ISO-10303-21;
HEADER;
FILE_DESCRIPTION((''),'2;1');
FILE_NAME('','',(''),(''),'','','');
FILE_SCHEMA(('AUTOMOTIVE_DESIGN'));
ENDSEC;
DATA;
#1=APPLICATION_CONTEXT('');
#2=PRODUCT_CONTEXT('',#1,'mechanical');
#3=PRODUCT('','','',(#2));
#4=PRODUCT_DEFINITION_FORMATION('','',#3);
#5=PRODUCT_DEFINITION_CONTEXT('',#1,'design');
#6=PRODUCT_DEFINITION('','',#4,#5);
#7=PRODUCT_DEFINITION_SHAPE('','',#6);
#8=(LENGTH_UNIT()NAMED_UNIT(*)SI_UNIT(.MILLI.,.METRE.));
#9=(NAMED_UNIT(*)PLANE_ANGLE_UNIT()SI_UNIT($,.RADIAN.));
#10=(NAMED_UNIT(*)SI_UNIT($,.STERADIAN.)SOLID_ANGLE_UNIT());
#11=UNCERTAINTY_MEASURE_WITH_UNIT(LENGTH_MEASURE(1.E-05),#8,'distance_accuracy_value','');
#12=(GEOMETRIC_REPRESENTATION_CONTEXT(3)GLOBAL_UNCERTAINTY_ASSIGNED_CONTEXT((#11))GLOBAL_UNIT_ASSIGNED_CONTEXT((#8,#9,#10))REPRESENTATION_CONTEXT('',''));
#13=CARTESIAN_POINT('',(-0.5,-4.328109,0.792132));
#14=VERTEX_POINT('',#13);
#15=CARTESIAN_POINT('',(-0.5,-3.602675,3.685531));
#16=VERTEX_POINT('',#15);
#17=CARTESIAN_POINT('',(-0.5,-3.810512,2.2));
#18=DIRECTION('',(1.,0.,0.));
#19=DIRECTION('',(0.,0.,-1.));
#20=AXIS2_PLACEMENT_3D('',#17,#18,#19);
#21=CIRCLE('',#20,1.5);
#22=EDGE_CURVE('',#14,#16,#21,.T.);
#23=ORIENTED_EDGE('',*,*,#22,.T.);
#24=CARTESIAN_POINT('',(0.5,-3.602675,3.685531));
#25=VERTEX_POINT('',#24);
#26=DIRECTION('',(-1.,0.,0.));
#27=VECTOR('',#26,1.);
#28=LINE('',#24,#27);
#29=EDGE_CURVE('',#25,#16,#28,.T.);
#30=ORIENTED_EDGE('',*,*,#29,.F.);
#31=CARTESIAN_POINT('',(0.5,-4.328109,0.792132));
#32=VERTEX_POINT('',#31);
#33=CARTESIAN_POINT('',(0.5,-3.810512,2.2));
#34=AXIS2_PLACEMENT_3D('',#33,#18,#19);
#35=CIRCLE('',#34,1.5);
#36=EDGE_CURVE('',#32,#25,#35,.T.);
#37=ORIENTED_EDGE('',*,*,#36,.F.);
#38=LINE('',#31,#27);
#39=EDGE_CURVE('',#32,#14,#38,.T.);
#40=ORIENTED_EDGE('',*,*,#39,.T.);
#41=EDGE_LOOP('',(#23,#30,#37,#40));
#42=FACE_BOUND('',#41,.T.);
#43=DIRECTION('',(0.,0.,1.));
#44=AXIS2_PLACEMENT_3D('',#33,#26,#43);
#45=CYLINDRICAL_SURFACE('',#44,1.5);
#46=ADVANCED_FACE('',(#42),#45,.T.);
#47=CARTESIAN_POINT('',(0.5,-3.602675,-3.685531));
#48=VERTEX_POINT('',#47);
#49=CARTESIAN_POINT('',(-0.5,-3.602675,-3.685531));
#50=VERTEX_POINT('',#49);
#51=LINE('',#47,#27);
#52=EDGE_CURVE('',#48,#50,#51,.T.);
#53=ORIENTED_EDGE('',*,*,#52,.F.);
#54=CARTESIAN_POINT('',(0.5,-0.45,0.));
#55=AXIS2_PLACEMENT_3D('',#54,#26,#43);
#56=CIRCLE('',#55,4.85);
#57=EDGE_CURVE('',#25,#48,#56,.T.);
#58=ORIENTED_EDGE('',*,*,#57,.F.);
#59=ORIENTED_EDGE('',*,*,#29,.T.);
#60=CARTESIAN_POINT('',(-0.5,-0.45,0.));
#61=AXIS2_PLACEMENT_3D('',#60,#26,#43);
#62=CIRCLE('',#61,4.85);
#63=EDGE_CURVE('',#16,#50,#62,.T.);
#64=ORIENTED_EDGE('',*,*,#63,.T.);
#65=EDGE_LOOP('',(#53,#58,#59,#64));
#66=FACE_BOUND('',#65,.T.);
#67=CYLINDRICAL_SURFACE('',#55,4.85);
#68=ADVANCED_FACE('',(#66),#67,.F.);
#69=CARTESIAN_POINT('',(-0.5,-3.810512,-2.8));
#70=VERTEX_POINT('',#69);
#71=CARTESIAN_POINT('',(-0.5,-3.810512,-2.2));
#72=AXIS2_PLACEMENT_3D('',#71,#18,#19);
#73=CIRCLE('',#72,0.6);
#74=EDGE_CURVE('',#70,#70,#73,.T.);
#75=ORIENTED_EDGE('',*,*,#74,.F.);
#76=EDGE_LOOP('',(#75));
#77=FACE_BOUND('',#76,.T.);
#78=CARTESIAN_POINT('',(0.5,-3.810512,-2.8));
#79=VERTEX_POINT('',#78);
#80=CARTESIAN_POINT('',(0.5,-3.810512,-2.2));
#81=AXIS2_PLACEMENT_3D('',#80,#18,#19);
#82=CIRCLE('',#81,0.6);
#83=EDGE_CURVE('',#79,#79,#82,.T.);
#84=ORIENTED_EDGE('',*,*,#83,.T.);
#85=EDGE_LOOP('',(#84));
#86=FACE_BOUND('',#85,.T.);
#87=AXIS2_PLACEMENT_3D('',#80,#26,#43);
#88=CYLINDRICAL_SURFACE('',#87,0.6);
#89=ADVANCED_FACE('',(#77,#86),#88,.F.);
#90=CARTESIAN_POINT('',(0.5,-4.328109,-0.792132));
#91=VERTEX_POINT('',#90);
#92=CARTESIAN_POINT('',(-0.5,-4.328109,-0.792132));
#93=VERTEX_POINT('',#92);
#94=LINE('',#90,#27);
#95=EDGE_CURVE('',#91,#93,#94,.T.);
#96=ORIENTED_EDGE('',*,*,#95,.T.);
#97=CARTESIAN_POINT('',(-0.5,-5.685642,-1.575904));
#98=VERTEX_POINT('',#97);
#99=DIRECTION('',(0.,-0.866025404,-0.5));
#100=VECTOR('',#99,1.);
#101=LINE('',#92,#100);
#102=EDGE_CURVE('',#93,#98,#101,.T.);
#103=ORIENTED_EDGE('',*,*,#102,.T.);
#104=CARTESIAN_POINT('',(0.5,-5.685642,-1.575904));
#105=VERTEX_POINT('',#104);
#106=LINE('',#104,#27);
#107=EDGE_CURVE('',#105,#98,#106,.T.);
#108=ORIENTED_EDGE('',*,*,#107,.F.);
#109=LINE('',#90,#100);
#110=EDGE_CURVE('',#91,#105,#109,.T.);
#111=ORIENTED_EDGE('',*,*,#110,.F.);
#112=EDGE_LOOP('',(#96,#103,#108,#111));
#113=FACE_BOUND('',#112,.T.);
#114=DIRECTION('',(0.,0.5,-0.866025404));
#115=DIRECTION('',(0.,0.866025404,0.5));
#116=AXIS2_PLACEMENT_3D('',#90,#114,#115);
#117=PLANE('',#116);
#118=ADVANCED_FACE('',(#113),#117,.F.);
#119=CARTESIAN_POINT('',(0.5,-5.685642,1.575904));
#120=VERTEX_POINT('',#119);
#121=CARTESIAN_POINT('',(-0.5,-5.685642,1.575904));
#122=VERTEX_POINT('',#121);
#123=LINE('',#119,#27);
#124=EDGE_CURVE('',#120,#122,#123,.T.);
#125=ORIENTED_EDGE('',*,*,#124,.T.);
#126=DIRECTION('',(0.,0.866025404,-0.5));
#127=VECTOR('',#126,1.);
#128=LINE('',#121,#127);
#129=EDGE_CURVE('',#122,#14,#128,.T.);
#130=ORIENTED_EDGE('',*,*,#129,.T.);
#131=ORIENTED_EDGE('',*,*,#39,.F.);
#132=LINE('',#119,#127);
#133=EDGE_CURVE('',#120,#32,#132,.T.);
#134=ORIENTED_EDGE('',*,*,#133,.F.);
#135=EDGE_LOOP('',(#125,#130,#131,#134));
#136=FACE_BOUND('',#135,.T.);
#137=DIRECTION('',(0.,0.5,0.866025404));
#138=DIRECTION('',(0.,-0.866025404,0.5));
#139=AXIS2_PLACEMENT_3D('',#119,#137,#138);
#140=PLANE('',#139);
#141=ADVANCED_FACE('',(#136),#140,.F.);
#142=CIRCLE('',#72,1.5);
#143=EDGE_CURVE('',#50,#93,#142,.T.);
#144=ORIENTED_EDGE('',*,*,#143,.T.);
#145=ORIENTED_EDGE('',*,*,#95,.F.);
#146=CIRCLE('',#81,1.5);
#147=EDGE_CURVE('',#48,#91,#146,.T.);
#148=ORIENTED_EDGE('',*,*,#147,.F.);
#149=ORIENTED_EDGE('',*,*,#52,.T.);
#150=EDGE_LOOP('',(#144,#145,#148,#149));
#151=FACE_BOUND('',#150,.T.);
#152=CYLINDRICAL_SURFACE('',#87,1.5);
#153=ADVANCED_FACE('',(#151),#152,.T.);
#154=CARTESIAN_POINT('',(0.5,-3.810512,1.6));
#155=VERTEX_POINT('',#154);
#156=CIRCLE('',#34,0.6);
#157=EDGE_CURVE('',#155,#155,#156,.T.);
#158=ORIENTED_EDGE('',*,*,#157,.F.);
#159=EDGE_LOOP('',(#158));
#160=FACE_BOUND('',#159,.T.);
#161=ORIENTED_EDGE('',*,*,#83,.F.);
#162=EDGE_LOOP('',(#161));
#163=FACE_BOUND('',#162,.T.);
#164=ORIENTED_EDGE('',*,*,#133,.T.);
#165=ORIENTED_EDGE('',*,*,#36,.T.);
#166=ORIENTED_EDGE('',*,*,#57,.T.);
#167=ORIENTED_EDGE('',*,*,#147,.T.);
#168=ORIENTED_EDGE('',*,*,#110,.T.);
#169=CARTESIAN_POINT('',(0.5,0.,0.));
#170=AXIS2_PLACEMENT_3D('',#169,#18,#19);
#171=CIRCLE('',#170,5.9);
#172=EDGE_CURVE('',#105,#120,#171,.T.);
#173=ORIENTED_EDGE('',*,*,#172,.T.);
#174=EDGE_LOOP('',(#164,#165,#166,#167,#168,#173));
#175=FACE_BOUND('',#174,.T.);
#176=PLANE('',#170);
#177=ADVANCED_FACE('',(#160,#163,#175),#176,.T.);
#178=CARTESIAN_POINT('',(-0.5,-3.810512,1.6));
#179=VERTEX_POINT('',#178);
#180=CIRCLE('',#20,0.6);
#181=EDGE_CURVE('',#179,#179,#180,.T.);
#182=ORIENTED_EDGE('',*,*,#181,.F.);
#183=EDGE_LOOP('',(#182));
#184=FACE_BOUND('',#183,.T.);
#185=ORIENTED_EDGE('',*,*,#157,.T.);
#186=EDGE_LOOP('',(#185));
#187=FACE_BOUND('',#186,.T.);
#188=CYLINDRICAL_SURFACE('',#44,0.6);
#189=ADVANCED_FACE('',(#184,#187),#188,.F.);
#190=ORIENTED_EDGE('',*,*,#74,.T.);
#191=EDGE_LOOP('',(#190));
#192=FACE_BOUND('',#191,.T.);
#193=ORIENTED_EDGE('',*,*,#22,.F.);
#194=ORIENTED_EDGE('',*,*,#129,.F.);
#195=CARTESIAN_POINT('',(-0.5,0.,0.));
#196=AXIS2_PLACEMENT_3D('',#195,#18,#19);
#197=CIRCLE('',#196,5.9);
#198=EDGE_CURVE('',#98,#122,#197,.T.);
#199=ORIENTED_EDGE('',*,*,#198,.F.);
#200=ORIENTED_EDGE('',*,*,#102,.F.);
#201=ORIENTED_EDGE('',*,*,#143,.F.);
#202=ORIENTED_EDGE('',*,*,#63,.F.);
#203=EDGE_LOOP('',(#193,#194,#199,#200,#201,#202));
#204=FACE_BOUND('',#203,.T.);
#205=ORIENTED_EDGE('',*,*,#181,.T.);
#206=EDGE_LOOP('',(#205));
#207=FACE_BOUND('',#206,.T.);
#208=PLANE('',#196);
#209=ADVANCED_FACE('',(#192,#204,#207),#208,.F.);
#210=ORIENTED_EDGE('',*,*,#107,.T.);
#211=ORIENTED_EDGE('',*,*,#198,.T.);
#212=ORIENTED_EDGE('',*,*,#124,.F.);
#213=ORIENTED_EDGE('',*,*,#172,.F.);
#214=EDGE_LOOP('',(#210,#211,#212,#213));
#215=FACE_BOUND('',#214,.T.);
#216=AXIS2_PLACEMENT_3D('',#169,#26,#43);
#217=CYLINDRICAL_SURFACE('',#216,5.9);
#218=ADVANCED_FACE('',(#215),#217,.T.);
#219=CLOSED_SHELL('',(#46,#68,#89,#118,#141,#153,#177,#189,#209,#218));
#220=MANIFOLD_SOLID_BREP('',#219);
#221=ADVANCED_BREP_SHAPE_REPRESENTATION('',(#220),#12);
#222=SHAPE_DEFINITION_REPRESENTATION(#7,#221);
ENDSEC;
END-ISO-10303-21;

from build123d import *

# Parameters (mm, degrees)
BOSS_EXTRUDE1_DEPTH      = 0.5
BOSS_EXTRUDE1_DEPTH_BACK = 0.5
SKETCH1_R                = 0.6


with BuildPart() as part:
    # Sketch1 → Boss-Extrude1 (new, two sides: drawn at the far end of the back side and taken through both)
    with BuildSketch(Plane(origin=(0, 0, 0), x_dir=(0, 0, -1), z_dir=(1, 0, 0)).offset(-BOSS_EXTRUDE1_DEPTH_BACK)):
        with BuildLine():
            Line((-1.575903864, -5.685642181), (-0.792131706, -4.328108982))
            ThreePointArc((-0.792131706, -4.328108982), (-1.835210176, -2.355544978), (-3.685531471, -3.602674702))
            ThreePointArc((-3.685531471, -3.602674702), (0, 4.4), (3.685531471, -3.602674702))
            ThreePointArc((3.685531471, -3.602674702), (1.835210176, -2.355544978), (0.792131706, -4.328108982))
            Line((0.792131706, -4.328108982), (1.575903864, -5.685642181))
            ThreePointArc((1.575903864, -5.685642181), (0, 5.9), (-1.575903864, -5.685642181))
        make_face()
        with Locations((2.2, -3.810511777)):
            Circle(SKETCH1_R, mode=Mode.SUBTRACT)
        with Locations((-2.2, -3.810511777)):
            Circle(SKETCH1_R, mode=Mode.SUBTRACT)
    extrude(amount=BOSS_EXTRUDE1_DEPTH + BOSS_EXTRUDE1_DEPTH_BACK)


solid = part.part
